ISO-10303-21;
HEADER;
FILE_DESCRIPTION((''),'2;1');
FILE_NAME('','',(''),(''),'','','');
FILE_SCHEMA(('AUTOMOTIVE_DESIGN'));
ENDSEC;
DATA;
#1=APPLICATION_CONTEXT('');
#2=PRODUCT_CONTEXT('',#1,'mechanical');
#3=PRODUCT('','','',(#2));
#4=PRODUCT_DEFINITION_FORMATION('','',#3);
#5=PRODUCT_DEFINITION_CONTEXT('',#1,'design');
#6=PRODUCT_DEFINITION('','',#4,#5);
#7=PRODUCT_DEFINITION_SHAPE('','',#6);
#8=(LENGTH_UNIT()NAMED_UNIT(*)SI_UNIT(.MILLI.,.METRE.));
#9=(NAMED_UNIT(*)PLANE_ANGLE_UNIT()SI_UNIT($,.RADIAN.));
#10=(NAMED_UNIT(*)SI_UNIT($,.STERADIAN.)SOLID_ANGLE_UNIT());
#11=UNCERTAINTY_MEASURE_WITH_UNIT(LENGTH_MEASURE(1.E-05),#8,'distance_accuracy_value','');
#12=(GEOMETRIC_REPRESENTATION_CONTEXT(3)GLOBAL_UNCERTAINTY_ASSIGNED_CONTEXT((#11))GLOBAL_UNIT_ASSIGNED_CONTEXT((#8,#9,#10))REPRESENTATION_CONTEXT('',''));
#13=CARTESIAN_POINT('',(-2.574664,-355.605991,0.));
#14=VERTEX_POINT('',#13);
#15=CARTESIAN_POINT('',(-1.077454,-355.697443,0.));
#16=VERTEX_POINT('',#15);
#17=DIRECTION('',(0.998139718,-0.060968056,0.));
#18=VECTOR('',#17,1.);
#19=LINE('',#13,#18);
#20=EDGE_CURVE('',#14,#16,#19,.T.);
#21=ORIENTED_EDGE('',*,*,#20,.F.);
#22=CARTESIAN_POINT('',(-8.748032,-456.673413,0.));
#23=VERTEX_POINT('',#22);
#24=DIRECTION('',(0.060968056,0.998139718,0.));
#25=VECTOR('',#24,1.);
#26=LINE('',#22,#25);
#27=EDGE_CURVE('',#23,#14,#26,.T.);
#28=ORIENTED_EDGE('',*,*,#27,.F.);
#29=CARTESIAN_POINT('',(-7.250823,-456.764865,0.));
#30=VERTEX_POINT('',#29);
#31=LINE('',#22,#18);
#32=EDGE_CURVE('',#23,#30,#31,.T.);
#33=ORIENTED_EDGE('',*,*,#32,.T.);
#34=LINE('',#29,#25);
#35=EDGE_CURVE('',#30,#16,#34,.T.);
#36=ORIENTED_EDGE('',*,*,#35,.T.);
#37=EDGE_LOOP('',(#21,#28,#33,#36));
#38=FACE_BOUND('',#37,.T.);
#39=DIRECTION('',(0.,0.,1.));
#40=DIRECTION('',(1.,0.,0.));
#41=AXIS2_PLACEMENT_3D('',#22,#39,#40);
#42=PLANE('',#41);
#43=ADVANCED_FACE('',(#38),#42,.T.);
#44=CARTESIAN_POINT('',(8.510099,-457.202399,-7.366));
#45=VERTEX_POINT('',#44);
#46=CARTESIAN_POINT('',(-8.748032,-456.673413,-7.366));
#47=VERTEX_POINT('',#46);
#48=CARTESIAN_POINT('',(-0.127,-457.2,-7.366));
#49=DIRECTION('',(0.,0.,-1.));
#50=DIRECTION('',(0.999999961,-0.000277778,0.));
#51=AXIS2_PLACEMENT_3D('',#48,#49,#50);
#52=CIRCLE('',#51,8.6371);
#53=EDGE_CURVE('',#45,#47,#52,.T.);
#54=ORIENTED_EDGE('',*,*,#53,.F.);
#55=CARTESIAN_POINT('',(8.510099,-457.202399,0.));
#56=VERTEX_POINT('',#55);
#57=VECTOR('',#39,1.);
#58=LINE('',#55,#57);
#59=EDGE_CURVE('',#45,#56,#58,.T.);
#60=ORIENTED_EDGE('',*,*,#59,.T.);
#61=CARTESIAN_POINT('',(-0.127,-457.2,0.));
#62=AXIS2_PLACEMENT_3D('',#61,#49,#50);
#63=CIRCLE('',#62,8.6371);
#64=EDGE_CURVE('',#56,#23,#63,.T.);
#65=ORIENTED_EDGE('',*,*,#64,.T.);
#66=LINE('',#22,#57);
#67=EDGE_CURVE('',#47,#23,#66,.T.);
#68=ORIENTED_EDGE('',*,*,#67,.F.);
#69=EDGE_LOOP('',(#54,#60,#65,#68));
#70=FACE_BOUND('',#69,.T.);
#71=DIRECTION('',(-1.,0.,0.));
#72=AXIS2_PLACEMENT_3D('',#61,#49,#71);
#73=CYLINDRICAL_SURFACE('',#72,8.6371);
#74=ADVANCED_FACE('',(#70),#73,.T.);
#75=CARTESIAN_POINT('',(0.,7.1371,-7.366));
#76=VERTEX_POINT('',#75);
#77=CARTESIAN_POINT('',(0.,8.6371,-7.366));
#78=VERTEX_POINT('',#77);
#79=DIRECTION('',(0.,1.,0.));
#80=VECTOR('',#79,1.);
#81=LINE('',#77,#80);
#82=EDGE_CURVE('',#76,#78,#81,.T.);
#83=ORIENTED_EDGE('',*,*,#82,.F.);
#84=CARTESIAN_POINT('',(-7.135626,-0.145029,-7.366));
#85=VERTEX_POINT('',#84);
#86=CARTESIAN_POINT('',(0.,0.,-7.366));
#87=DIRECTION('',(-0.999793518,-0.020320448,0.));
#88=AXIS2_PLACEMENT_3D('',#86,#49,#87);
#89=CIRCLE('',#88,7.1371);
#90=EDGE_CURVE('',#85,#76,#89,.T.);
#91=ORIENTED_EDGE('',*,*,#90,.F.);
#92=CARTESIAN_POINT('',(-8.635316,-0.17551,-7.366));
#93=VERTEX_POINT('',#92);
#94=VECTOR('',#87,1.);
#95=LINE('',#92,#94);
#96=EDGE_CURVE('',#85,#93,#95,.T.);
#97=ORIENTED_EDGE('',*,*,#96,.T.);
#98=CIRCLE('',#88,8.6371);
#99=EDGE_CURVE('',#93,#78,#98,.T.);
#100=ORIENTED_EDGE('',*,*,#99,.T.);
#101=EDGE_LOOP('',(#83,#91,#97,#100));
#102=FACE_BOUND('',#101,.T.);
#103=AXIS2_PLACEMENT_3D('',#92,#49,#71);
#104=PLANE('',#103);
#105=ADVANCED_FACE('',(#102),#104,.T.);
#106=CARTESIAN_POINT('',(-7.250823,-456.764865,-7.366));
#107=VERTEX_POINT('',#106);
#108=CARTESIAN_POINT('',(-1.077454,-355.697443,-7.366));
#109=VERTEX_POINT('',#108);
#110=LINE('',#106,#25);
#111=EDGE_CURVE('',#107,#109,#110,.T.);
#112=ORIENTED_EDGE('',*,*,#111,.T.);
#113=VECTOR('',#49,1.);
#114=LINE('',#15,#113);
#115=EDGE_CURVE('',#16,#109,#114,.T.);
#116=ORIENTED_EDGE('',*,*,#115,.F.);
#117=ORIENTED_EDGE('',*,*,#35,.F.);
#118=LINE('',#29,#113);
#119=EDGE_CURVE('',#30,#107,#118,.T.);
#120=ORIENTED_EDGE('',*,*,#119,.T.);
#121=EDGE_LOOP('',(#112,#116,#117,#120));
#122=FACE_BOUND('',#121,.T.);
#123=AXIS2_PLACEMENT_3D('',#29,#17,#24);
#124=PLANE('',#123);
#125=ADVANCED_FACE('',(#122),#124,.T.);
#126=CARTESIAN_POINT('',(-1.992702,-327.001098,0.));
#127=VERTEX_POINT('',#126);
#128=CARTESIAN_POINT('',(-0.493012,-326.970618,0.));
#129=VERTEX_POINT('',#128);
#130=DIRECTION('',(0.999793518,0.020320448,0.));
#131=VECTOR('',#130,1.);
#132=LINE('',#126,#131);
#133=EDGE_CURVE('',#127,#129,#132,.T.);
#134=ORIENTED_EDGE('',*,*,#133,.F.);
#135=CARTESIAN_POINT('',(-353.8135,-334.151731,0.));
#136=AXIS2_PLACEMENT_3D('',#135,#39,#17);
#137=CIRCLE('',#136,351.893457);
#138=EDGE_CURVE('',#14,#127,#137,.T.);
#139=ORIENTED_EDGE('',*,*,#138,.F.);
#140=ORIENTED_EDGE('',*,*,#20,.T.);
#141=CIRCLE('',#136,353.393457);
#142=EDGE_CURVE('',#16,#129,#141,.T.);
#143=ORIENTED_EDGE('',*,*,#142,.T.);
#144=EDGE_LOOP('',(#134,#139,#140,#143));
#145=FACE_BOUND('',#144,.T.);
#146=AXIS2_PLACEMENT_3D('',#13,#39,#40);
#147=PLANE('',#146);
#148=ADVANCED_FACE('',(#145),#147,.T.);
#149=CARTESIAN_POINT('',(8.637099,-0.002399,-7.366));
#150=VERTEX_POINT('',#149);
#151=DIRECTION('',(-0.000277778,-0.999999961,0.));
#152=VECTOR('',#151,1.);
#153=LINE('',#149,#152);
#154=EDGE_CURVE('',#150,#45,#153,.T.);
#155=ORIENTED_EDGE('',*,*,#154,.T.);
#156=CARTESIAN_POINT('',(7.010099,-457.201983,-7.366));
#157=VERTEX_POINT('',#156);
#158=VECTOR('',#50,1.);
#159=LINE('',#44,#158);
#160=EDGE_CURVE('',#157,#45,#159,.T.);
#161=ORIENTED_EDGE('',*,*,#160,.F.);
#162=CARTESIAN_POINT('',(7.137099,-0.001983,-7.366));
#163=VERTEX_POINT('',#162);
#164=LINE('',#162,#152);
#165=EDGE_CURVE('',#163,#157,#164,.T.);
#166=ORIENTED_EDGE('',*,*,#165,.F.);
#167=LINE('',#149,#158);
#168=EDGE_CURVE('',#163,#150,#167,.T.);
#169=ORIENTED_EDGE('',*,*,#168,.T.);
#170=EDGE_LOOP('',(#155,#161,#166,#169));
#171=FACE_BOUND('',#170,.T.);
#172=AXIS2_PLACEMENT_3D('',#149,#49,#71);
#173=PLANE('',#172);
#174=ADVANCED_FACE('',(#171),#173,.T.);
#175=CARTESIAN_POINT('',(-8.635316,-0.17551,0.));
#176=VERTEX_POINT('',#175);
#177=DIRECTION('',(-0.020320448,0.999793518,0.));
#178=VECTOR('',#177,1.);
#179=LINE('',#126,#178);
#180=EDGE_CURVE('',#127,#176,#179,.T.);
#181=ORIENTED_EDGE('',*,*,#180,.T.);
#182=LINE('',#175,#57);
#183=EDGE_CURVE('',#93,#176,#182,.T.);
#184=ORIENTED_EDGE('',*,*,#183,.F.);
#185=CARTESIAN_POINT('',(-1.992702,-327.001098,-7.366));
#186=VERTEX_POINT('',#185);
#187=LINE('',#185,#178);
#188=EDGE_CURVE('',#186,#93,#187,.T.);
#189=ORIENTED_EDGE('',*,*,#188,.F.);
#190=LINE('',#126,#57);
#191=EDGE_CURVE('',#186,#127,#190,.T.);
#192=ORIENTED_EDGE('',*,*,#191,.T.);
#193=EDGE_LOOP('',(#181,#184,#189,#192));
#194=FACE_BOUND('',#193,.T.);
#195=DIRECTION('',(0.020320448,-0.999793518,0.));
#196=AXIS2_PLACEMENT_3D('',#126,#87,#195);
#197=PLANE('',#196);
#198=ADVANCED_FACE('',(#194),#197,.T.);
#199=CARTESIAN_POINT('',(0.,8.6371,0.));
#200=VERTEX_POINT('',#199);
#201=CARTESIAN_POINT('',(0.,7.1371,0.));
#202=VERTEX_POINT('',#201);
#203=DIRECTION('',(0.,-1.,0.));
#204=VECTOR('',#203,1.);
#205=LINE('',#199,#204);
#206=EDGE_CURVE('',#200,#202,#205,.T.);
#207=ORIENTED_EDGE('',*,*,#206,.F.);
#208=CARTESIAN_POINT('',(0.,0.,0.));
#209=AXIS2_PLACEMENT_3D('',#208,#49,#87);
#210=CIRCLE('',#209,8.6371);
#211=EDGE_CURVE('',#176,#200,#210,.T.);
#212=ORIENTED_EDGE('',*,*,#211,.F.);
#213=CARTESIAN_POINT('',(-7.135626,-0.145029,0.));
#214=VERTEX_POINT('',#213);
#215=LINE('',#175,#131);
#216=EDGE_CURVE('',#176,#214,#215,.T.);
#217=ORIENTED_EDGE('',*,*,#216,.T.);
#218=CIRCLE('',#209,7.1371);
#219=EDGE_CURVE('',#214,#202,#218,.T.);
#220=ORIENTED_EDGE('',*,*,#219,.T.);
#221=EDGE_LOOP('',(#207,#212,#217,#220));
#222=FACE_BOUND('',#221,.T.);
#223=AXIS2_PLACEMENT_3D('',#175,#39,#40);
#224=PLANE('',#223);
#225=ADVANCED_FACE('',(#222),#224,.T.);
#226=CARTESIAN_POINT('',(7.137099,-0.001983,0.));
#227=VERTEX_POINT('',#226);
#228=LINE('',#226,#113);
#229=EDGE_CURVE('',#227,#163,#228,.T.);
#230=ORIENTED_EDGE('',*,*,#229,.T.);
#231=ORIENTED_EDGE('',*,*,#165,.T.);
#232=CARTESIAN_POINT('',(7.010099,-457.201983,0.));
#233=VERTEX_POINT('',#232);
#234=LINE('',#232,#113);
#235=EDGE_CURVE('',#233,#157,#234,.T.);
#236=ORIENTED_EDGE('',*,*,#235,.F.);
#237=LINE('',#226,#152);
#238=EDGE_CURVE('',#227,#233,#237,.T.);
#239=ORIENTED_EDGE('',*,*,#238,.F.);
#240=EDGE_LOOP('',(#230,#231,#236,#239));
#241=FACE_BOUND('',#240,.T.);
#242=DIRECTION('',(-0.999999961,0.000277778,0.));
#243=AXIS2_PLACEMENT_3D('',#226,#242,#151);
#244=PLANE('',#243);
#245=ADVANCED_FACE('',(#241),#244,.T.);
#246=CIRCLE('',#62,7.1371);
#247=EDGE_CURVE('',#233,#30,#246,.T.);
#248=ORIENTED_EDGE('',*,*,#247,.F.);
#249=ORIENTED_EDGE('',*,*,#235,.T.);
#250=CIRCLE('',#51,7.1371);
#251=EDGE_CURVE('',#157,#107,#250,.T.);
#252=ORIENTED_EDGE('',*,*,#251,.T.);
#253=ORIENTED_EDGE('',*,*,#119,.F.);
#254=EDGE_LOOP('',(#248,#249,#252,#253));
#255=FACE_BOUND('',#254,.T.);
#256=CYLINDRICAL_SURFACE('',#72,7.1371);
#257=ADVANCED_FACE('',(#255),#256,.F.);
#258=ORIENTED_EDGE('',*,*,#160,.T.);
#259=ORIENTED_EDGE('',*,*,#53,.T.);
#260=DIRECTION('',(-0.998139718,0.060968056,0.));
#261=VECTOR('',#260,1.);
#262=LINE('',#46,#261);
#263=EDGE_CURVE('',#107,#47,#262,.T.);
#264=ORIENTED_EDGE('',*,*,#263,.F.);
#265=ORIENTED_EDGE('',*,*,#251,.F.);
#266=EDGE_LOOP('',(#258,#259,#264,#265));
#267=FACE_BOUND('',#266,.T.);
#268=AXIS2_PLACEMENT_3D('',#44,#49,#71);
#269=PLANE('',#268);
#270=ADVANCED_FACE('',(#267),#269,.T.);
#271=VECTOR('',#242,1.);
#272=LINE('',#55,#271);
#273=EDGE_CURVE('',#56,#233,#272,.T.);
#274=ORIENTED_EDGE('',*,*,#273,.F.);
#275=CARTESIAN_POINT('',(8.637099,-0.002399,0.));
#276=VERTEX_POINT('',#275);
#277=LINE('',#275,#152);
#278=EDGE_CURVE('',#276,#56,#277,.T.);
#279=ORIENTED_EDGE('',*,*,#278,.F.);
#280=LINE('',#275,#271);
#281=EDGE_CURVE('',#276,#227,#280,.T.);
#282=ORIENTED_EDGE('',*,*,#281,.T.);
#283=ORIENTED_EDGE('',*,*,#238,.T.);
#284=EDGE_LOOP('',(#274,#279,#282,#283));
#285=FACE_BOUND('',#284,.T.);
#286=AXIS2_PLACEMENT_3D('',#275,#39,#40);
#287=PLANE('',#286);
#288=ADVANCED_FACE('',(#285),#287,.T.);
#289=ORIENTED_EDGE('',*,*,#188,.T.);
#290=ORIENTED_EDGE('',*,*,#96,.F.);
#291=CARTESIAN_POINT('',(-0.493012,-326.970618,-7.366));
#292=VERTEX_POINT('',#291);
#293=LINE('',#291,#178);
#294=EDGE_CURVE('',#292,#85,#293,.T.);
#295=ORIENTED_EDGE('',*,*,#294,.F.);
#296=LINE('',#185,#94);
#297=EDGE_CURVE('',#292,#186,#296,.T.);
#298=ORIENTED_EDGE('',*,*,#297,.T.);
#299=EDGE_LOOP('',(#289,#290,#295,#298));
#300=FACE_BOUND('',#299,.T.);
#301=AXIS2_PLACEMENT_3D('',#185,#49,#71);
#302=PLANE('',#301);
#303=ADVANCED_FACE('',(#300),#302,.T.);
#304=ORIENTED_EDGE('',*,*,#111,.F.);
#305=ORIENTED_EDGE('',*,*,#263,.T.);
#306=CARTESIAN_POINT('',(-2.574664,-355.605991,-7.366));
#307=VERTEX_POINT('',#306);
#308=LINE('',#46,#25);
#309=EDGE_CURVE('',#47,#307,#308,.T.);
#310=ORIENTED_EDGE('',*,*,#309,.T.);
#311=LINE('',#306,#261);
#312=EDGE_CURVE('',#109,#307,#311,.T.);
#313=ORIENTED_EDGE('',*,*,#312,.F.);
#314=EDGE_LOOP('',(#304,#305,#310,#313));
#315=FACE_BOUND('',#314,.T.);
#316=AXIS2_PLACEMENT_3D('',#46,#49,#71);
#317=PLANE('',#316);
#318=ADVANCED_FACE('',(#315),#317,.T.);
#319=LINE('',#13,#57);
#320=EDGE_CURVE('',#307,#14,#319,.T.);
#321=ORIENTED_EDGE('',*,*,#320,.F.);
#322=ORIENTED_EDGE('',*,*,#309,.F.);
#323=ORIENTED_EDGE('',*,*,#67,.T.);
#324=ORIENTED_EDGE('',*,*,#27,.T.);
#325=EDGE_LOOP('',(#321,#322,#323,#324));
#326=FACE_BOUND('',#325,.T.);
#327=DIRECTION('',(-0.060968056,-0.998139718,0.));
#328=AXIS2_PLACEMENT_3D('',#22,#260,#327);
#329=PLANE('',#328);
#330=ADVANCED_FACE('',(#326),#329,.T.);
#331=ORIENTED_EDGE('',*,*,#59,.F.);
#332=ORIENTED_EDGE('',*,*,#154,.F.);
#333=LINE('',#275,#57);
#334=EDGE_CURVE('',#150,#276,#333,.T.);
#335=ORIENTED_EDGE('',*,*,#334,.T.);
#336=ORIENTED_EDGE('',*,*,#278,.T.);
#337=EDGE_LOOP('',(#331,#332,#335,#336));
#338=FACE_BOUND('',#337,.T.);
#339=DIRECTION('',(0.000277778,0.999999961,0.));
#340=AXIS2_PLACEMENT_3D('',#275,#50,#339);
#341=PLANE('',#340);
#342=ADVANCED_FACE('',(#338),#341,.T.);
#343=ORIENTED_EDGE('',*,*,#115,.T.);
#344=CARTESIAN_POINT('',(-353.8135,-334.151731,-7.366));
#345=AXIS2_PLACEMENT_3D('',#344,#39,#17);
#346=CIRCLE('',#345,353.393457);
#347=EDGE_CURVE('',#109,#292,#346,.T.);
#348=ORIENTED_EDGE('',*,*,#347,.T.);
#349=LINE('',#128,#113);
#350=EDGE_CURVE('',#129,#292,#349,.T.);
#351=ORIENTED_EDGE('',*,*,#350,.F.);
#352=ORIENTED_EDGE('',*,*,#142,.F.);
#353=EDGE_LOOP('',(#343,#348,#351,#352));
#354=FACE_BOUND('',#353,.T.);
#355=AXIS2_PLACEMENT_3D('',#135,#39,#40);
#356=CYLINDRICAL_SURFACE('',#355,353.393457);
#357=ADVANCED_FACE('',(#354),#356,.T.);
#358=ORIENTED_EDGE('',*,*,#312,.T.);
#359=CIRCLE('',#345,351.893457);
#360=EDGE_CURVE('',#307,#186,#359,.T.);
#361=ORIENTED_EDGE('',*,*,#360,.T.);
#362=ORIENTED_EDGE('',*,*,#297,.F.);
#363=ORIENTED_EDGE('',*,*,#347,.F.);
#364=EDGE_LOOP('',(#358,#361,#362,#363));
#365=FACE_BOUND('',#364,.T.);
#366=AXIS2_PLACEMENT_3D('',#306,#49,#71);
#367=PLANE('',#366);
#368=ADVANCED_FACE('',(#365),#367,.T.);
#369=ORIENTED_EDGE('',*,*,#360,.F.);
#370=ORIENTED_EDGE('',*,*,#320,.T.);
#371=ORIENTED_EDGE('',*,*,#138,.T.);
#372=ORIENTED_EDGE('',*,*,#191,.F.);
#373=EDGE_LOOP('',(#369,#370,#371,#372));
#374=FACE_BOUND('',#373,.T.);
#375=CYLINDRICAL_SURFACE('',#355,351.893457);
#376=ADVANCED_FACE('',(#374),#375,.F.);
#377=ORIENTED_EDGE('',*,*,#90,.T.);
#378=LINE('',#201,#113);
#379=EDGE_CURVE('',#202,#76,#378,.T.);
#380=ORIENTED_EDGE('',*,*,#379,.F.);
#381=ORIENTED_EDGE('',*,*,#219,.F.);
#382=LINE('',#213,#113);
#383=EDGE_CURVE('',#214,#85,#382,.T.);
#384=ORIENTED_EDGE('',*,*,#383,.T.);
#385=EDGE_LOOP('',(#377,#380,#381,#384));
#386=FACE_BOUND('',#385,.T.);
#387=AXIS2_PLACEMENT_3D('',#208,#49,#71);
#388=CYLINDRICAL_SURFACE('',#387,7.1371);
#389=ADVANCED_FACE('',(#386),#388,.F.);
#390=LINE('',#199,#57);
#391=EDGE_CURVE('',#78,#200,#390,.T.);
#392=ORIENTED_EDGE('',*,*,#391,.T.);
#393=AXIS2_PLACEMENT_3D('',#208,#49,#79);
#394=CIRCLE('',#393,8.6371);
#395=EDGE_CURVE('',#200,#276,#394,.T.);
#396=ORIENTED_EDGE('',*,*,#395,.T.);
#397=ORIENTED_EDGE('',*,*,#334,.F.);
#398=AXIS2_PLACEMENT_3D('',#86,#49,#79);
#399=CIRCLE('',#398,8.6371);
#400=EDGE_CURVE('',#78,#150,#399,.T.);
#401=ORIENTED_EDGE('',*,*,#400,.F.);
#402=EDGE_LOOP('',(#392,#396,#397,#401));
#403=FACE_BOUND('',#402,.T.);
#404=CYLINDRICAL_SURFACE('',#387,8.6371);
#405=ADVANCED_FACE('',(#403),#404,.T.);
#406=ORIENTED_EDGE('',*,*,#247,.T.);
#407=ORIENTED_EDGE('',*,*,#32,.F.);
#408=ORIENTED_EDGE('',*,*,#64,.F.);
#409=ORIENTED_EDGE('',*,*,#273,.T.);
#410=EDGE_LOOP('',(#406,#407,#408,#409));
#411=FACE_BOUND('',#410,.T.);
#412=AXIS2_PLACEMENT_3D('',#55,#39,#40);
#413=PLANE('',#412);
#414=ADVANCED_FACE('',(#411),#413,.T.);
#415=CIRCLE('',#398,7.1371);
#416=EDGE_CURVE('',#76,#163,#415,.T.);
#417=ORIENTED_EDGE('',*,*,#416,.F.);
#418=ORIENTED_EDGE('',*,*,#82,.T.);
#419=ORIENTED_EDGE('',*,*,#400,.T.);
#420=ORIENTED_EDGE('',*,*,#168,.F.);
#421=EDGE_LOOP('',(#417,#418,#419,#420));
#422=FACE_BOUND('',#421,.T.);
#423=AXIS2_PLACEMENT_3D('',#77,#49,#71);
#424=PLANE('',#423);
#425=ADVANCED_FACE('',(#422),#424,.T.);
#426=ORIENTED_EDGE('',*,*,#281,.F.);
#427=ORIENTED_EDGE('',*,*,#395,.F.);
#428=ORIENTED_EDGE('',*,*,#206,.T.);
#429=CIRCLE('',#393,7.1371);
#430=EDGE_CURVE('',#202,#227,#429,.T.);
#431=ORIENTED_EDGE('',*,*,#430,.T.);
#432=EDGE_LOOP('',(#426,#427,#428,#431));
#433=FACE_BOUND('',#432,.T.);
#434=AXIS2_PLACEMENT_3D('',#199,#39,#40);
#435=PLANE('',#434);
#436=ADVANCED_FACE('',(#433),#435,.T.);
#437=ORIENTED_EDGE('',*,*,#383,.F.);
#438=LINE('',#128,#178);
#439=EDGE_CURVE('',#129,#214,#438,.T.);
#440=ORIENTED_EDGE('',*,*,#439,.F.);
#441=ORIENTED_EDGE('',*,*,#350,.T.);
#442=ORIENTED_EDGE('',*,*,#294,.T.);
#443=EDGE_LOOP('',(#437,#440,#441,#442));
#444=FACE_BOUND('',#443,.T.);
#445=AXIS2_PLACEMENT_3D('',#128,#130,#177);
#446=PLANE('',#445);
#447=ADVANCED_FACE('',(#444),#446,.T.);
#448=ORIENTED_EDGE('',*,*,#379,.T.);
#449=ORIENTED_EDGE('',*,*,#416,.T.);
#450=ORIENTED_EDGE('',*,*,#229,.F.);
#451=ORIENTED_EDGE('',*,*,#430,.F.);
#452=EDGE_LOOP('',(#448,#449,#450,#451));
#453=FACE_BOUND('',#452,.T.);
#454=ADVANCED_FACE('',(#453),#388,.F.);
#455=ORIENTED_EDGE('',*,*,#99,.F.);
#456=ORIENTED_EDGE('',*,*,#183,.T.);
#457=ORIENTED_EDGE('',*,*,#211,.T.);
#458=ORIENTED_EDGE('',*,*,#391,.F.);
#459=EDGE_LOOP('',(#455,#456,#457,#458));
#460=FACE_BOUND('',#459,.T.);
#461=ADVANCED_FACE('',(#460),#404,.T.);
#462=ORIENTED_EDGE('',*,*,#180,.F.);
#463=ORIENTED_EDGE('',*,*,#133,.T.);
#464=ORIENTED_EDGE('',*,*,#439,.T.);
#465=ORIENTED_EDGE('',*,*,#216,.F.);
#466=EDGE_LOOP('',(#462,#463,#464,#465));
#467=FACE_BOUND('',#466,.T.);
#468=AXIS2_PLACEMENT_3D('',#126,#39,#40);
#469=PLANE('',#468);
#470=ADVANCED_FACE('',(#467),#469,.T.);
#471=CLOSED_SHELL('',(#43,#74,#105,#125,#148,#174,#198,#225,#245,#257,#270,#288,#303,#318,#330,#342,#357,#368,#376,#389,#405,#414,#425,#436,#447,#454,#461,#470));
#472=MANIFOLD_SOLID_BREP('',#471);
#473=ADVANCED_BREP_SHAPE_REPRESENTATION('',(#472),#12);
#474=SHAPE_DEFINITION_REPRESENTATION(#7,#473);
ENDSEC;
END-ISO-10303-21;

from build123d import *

# Parameters (mm, degrees)
SKETCH3_W = 7.366
SKETCH3_H = 1.5


with BuildPart() as part:
    # Sweep1: sweep along a path in Sketch2
    with BuildLine(Plane.XY) as sweep1_path:
        Line((7.091056719, -457.202005016), (7.218056719, -0.002005016))
        ThreePointArc((7.218056719, -0.002005016), (-0.072338406, 7.217694506), (-7.216566601, -0.146674154))
        Line((-7.216566601, -0.146674154), (-0.57395254, -326.972262728))
        ThreePointArc((-0.57395254, -326.972262728), (-0.574097453, -341.338325894), (-1.158260966, -355.692507303))
        Line((-1.158260966, -355.692507303), (-7.331629374, -456.759929099))
        ThreePointArc((-7.331629374, -456.759929099), (-0.348139893, -464.414668667), (7.091056719, -457.202005016))
    # Sketch3 → Sweep1 (sweep)
    with BuildSketch(Plane(origin=(0, 0, 0), x_dir=(0, 0, -1), z_dir=(1, 0, 0))):
        with Locations((3.683, 7.887099691)):
            Rectangle(SKETCH3_W, SKETCH3_H)
    sweep(path=sweep1_path.line)


solid = part.part
